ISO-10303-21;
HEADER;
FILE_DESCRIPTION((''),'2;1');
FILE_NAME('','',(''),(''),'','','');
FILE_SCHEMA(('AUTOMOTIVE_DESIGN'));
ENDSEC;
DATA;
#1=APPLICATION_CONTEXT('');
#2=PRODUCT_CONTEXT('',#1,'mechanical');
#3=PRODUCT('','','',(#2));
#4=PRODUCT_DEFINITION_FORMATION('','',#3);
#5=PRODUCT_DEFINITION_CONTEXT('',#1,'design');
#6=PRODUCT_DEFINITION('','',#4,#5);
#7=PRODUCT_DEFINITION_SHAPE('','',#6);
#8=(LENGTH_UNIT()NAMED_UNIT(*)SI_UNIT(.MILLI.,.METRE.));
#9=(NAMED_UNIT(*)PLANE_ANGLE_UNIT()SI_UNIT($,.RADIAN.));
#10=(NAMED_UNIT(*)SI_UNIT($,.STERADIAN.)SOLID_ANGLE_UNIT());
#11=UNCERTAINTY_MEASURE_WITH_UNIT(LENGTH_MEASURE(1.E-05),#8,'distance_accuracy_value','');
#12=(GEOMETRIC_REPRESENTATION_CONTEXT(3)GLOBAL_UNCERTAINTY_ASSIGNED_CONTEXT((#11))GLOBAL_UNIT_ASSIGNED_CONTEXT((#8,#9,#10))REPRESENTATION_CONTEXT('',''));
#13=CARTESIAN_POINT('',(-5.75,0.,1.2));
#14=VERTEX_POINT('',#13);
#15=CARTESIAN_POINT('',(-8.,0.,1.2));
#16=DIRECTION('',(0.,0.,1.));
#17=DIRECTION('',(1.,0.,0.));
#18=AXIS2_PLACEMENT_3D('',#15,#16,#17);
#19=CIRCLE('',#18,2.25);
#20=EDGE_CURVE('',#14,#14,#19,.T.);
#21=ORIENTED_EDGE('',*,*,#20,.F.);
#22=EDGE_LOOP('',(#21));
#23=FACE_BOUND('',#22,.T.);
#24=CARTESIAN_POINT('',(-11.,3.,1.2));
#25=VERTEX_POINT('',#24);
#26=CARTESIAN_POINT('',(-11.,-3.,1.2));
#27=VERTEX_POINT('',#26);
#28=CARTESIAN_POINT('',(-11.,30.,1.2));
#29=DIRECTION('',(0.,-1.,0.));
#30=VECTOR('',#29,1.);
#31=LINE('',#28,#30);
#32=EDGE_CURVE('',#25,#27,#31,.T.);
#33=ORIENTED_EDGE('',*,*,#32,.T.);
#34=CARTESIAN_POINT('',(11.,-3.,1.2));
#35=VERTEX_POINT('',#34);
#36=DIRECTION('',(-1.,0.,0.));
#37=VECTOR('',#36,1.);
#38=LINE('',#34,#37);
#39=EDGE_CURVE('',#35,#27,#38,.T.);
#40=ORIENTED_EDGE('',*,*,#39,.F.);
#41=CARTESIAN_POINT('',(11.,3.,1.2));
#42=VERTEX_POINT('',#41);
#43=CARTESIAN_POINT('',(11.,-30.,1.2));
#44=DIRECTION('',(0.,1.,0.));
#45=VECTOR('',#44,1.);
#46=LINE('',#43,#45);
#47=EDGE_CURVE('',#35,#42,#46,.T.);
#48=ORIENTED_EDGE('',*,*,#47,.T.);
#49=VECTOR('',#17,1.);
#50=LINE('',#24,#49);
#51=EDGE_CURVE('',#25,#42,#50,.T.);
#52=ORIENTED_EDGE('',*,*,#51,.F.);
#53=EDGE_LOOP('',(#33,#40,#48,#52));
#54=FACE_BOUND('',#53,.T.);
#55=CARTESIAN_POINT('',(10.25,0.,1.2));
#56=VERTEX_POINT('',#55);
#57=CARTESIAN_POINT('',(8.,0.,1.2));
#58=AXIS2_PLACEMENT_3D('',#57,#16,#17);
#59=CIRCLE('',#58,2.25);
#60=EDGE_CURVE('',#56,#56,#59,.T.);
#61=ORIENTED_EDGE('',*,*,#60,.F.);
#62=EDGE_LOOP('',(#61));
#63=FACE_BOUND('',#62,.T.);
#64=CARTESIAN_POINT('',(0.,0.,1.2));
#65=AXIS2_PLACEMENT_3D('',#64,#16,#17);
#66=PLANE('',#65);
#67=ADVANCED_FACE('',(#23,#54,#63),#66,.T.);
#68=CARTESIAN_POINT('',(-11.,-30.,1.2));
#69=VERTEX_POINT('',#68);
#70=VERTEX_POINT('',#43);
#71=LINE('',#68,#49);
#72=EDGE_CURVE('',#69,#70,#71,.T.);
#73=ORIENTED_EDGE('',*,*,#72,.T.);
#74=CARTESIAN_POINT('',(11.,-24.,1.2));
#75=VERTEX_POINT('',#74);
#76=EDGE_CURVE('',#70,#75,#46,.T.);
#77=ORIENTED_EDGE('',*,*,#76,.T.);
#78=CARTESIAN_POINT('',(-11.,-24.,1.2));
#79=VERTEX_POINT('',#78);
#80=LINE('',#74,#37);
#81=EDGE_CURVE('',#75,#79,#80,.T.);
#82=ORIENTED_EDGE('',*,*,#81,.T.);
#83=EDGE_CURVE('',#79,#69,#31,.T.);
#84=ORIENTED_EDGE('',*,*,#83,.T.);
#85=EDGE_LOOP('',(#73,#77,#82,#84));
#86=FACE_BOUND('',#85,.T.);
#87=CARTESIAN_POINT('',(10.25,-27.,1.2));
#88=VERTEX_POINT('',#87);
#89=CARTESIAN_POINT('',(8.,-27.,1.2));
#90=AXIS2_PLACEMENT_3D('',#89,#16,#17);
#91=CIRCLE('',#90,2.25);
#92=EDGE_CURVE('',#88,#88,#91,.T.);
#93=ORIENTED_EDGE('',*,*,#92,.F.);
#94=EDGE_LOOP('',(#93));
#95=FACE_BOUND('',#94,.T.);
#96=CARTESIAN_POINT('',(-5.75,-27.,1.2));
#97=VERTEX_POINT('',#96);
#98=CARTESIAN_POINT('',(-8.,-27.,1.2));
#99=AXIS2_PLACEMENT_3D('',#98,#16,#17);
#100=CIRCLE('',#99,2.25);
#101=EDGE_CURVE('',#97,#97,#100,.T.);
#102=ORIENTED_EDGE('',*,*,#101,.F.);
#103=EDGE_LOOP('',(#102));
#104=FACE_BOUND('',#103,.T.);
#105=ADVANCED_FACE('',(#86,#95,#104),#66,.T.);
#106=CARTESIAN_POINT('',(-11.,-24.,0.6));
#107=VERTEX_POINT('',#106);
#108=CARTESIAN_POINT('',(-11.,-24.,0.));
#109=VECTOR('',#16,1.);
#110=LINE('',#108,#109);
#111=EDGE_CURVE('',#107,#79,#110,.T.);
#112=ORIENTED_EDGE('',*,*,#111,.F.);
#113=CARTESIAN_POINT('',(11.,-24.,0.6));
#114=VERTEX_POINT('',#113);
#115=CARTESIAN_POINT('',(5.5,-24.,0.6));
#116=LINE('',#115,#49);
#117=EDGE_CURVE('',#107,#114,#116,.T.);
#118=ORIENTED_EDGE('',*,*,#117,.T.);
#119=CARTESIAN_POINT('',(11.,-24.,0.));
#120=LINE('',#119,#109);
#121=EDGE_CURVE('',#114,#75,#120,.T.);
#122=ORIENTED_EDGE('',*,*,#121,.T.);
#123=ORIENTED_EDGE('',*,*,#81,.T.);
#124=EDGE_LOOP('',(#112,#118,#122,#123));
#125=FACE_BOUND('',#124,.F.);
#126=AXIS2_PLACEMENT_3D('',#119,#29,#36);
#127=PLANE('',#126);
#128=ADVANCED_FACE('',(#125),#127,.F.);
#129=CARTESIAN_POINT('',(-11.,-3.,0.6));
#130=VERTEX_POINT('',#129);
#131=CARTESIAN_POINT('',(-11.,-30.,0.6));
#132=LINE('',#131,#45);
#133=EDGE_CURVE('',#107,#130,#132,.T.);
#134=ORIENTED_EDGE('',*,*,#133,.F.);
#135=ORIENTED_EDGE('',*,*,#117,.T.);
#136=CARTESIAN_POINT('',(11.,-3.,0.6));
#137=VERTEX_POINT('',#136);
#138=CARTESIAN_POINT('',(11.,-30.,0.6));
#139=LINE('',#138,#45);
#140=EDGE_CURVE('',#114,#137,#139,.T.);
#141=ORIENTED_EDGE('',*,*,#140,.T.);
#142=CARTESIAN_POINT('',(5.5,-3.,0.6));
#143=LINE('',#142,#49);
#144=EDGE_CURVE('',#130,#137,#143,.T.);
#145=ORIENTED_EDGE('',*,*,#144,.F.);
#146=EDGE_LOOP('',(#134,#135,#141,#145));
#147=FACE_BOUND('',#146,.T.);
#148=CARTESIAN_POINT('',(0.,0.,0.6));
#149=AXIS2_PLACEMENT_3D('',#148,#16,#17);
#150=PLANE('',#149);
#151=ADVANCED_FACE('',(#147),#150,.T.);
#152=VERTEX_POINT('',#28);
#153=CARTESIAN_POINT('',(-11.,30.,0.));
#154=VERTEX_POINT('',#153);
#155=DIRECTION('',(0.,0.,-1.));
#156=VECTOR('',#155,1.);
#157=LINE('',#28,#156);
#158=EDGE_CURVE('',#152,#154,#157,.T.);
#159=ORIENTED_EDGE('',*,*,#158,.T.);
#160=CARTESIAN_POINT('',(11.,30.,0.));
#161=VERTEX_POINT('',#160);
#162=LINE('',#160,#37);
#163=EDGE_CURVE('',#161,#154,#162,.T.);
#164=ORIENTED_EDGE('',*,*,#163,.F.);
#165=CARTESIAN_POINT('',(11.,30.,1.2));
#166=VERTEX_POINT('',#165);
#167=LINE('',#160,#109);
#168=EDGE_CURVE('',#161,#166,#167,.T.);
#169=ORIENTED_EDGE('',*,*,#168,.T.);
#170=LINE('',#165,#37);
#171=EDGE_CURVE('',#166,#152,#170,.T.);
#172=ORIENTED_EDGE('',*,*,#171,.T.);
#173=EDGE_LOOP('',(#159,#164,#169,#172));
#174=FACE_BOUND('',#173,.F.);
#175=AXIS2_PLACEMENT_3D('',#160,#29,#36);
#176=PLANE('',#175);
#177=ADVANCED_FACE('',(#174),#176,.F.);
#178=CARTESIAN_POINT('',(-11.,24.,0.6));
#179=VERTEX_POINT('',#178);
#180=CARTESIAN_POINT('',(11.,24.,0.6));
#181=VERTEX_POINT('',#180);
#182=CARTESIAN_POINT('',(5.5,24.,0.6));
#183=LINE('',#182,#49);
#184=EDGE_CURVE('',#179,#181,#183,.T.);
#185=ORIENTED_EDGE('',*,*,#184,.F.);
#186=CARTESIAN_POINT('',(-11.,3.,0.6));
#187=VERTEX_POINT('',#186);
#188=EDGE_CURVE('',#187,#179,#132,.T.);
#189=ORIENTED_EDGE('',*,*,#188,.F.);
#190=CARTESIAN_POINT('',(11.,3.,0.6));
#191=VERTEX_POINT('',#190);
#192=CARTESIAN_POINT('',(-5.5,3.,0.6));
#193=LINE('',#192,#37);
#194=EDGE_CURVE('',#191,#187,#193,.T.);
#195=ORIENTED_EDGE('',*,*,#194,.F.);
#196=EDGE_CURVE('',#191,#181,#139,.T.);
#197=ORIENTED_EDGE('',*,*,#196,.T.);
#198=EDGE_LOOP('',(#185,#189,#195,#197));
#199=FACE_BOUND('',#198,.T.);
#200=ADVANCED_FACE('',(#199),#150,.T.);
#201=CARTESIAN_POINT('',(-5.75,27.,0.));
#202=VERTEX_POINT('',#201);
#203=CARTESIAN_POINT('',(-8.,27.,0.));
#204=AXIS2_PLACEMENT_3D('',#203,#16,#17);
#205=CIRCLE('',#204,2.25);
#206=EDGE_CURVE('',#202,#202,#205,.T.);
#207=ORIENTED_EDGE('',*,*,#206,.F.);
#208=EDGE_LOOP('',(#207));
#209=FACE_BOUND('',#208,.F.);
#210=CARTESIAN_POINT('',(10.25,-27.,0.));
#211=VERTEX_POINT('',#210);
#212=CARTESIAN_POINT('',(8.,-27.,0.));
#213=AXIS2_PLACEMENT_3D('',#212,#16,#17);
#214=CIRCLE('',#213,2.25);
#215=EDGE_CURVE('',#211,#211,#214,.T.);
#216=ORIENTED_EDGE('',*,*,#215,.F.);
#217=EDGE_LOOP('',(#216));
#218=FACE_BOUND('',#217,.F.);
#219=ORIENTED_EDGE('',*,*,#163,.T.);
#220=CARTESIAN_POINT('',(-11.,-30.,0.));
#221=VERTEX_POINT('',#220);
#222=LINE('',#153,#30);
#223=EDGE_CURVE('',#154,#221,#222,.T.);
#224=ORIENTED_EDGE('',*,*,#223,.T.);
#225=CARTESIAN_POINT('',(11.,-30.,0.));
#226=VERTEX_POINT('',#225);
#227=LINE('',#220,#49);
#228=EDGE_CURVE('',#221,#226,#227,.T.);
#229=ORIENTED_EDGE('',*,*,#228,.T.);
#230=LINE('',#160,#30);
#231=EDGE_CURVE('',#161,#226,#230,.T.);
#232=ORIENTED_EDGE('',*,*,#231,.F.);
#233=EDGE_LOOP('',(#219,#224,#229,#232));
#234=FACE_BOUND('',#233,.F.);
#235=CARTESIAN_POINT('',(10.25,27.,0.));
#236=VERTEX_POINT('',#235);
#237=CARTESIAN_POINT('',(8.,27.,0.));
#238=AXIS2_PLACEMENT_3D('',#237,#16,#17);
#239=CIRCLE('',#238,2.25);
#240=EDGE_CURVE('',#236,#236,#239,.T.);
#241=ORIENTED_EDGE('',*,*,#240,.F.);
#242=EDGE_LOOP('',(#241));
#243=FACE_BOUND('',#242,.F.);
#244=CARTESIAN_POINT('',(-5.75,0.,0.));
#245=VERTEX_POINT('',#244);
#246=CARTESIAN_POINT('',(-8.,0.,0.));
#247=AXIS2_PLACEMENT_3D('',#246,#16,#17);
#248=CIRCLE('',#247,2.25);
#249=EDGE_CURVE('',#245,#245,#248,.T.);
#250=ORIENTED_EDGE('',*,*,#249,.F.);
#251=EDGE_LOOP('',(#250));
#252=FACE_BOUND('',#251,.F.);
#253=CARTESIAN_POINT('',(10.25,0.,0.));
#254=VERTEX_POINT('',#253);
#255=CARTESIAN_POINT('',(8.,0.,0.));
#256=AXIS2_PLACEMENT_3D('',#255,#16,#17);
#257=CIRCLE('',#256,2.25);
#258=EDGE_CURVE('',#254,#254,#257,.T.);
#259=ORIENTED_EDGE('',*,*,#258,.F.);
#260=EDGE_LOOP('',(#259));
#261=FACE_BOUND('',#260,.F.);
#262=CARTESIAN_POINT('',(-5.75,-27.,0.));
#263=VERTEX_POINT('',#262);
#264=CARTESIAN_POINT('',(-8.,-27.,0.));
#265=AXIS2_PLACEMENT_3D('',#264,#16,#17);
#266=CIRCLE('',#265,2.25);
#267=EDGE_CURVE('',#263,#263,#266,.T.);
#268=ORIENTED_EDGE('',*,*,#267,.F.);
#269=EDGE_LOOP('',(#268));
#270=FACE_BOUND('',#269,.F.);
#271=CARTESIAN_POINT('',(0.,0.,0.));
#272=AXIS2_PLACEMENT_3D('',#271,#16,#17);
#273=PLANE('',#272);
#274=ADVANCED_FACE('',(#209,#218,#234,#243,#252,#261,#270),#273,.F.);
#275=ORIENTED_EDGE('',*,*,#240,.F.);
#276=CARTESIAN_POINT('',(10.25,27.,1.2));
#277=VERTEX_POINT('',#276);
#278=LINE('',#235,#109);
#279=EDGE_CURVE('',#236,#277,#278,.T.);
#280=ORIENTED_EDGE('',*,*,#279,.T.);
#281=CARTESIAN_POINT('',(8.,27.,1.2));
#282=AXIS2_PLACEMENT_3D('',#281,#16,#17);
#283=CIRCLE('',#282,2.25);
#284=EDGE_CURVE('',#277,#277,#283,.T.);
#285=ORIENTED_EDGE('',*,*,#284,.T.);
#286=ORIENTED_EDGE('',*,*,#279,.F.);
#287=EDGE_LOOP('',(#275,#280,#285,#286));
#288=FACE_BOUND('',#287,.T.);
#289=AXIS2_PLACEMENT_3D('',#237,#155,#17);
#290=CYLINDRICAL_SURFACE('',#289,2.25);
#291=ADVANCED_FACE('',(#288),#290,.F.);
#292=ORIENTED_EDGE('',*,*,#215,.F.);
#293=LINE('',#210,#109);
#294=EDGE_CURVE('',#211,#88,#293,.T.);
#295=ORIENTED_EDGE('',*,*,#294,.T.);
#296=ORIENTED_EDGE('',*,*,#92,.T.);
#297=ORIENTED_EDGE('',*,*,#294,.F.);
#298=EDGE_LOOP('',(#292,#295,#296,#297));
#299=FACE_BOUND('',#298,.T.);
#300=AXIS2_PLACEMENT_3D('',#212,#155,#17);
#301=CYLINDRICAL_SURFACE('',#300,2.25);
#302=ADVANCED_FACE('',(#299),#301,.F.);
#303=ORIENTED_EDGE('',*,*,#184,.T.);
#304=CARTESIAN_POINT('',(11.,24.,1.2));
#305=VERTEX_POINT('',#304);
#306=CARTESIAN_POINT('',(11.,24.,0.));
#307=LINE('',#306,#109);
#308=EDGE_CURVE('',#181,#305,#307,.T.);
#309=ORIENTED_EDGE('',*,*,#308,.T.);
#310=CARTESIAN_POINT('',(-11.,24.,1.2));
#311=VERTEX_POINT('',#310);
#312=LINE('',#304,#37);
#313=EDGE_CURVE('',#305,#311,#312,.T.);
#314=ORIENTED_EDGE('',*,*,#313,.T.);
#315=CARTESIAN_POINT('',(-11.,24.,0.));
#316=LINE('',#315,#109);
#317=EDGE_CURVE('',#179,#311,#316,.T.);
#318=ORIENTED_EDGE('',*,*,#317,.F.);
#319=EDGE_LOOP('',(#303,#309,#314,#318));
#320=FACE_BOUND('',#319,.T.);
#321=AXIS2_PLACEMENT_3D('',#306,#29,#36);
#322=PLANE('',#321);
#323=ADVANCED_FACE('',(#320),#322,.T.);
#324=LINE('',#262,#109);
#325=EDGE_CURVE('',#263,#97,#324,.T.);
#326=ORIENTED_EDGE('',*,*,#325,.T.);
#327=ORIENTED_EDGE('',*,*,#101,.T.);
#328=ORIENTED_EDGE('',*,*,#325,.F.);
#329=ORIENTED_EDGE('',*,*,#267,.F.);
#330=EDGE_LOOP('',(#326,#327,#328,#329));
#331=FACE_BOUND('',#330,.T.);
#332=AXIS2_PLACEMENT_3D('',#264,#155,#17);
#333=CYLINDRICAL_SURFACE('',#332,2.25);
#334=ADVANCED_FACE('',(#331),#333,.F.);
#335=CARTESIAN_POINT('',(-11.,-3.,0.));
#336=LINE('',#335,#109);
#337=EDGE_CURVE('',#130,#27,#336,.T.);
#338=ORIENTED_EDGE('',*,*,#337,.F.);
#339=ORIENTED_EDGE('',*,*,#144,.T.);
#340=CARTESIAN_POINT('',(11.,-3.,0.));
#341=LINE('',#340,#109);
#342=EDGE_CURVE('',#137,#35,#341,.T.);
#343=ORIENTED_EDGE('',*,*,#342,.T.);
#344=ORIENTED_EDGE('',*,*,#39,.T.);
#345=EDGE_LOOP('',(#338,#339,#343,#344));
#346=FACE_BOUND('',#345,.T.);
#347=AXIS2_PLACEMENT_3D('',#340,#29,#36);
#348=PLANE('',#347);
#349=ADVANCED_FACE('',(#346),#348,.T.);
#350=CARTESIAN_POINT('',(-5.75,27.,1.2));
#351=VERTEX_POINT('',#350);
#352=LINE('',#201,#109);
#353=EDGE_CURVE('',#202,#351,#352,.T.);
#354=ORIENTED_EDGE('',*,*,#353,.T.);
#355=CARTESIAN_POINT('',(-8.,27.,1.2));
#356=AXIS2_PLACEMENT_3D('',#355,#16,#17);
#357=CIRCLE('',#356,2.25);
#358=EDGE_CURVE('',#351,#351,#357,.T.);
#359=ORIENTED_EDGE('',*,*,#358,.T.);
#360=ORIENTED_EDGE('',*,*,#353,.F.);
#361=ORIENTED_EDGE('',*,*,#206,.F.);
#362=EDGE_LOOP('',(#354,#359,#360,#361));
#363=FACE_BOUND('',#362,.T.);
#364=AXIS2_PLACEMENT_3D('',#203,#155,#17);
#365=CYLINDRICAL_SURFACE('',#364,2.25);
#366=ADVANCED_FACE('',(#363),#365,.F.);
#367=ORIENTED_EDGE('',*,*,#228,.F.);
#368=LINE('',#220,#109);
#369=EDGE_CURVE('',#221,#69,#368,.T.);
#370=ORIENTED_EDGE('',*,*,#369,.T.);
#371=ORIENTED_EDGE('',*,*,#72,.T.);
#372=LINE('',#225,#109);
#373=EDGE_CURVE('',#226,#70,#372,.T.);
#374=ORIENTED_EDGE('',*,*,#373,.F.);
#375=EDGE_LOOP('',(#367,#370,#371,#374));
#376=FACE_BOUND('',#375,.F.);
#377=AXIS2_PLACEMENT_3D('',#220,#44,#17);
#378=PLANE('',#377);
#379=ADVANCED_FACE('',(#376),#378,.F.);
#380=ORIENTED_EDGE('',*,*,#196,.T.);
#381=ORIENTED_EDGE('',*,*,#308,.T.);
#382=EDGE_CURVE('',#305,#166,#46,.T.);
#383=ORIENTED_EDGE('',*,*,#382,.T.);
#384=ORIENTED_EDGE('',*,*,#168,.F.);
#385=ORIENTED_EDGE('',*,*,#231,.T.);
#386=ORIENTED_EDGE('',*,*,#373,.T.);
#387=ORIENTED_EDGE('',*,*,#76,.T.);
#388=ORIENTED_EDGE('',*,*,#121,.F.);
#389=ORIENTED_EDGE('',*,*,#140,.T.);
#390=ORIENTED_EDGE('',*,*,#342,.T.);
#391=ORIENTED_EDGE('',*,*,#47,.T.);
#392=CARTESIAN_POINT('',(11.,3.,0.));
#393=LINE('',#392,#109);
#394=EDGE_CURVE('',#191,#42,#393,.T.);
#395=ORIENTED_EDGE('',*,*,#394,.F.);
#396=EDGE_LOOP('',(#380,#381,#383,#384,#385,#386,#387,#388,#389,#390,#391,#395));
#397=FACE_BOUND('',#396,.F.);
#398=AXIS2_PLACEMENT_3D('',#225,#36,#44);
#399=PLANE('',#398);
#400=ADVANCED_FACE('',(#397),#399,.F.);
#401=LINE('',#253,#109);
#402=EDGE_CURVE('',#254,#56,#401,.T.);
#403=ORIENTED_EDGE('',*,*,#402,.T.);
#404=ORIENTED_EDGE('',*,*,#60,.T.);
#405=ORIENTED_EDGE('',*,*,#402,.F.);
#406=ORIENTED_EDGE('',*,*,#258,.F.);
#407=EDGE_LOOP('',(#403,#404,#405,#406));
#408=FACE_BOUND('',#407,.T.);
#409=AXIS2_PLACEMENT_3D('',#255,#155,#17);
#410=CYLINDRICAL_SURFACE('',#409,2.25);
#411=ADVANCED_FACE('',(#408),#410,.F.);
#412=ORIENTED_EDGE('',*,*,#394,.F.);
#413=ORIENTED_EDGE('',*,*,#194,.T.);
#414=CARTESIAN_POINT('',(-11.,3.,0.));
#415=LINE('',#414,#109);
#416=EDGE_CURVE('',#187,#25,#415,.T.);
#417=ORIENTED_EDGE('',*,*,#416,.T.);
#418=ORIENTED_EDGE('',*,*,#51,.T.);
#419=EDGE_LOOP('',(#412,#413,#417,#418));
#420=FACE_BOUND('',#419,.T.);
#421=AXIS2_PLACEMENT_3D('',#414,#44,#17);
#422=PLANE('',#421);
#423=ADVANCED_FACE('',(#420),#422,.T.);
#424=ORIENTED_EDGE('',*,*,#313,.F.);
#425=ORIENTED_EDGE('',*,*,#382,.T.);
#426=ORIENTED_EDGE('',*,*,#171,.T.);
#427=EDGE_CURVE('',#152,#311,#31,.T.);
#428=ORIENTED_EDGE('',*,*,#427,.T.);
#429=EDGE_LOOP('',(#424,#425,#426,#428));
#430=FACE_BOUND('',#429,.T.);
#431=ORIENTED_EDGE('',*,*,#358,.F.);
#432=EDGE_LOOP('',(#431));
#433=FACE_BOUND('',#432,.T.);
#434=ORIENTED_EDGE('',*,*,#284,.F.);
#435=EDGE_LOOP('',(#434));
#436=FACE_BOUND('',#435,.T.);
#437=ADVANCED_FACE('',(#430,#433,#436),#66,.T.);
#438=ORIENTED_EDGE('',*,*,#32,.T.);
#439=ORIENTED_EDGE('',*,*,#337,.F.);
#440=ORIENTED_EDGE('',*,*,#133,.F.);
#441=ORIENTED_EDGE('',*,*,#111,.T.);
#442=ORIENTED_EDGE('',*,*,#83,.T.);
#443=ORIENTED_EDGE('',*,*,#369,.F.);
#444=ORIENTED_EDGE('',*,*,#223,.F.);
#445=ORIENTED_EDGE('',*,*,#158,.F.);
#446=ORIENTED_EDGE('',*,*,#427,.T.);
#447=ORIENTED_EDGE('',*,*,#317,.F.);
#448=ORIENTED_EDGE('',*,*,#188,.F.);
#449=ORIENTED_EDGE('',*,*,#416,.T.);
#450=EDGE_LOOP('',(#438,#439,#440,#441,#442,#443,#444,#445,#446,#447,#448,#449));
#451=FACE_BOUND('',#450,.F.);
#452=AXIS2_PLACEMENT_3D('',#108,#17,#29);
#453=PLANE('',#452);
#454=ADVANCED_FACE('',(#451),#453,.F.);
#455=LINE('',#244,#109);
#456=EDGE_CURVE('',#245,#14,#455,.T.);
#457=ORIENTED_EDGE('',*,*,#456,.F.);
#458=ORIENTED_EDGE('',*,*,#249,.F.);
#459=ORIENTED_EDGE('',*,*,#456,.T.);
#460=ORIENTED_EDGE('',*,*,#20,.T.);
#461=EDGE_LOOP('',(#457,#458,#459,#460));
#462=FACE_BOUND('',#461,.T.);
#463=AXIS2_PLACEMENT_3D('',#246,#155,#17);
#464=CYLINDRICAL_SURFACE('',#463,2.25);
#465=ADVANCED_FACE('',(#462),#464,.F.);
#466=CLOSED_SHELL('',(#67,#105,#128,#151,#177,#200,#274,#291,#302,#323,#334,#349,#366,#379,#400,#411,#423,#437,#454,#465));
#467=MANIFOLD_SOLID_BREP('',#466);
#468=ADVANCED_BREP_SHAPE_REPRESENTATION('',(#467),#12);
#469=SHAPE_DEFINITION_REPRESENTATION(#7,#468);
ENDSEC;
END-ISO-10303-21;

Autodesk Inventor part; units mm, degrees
ref_plane "YZ Plane" through (0, 0, 0) normal (1, 0, 0) x (0, 1, 0)
ref_plane "XZ Plane" through (0, 0, 0) normal (0, 1, 0) x (-1, 0, 0)
ref_plane "XY Plane" through (0, 0, 0) normal (0, 0, 1) x (1, 0, 0)
sketch "Sketch1" plane through (0, 0, 0) normal (0, 0, 1) x (1, 0, 0)
  line L0 (-11, -30) -> (11, -30)
  line L1 (11, -30) -> (11, 30)
  line L2 (11, 30) -> (-11, 30)
  line L3 (-11, 30) -> (-11, -30)
  circle A0 centre (-8, 0) radius 2.25
  line L4 (-5, 30) -> (-5, -30) construction
  line L5 (5, 30) -> (5, -30) construction
  line L6 (0, 30) -> (0, -30) construction
  circle A1 centre (-8, 27) radius 2.25
  circle A2 centre (-8, -27) radius 2.25
  circle A3 centre (8, -27) radius 2.25
  circle A4 centre (8, 0) radius 2.25
  circle A5 centre (8, 27) radius 2.25
  line L7 (-11, 0) -> (11, 0) construction
  line L8 (-11, 30) -> (11, 30)
  line L9 (11, 30) -> (11, 24)
  line L10 (11, 24) -> (-11, 24)
  line L11 (-11, 24) -> (-11, 30)
  line L12 (-11, 3) -> (11, 3)
  line L13 (11, 3) -> (11, -3)
  line L14 (11, -3) -> (-11, -3)
  line L15 (-11, -3) -> (-11, 3)
  line L16 (-11, -30) -> (11, -30)
  line L17 (11, -30) -> (11, -24)
  line L18 (11, -24) -> (-11, -24)
  line L19 (-11, -24) -> (-11, -30)
  point P0 (0, 0)
  dimension "d0" = 4.5
  dimension "d1" = 3
  dimension "d2" = 3
  dimension "d3" = 10
  dimension "d4" = 60
  dimension "d5" = 4.5
  dimension "d6" = 3
  dimension "d7" = 3
  dimension "d8" = 4.5
  dimension "d9" = 3
  dimension "d10" = 3
  dimension "d11" = 3
  dimension "d14" = 58.5
  dimension "d15" = 3
  dimension "d16" = 3
  dimension "d17" = 3
  dimension "d18" = 3
extrude "Extrusion1" add sketch "Sketch1" along normal blind 0.6
extrude "Extrusion2" add sketch "Sketch1" along normal blind 1.2 contours L3 L18 L1 L0 | L3 L12 L1 L14 | L3 L2 L1 L10
properties part number "FoldLink"
